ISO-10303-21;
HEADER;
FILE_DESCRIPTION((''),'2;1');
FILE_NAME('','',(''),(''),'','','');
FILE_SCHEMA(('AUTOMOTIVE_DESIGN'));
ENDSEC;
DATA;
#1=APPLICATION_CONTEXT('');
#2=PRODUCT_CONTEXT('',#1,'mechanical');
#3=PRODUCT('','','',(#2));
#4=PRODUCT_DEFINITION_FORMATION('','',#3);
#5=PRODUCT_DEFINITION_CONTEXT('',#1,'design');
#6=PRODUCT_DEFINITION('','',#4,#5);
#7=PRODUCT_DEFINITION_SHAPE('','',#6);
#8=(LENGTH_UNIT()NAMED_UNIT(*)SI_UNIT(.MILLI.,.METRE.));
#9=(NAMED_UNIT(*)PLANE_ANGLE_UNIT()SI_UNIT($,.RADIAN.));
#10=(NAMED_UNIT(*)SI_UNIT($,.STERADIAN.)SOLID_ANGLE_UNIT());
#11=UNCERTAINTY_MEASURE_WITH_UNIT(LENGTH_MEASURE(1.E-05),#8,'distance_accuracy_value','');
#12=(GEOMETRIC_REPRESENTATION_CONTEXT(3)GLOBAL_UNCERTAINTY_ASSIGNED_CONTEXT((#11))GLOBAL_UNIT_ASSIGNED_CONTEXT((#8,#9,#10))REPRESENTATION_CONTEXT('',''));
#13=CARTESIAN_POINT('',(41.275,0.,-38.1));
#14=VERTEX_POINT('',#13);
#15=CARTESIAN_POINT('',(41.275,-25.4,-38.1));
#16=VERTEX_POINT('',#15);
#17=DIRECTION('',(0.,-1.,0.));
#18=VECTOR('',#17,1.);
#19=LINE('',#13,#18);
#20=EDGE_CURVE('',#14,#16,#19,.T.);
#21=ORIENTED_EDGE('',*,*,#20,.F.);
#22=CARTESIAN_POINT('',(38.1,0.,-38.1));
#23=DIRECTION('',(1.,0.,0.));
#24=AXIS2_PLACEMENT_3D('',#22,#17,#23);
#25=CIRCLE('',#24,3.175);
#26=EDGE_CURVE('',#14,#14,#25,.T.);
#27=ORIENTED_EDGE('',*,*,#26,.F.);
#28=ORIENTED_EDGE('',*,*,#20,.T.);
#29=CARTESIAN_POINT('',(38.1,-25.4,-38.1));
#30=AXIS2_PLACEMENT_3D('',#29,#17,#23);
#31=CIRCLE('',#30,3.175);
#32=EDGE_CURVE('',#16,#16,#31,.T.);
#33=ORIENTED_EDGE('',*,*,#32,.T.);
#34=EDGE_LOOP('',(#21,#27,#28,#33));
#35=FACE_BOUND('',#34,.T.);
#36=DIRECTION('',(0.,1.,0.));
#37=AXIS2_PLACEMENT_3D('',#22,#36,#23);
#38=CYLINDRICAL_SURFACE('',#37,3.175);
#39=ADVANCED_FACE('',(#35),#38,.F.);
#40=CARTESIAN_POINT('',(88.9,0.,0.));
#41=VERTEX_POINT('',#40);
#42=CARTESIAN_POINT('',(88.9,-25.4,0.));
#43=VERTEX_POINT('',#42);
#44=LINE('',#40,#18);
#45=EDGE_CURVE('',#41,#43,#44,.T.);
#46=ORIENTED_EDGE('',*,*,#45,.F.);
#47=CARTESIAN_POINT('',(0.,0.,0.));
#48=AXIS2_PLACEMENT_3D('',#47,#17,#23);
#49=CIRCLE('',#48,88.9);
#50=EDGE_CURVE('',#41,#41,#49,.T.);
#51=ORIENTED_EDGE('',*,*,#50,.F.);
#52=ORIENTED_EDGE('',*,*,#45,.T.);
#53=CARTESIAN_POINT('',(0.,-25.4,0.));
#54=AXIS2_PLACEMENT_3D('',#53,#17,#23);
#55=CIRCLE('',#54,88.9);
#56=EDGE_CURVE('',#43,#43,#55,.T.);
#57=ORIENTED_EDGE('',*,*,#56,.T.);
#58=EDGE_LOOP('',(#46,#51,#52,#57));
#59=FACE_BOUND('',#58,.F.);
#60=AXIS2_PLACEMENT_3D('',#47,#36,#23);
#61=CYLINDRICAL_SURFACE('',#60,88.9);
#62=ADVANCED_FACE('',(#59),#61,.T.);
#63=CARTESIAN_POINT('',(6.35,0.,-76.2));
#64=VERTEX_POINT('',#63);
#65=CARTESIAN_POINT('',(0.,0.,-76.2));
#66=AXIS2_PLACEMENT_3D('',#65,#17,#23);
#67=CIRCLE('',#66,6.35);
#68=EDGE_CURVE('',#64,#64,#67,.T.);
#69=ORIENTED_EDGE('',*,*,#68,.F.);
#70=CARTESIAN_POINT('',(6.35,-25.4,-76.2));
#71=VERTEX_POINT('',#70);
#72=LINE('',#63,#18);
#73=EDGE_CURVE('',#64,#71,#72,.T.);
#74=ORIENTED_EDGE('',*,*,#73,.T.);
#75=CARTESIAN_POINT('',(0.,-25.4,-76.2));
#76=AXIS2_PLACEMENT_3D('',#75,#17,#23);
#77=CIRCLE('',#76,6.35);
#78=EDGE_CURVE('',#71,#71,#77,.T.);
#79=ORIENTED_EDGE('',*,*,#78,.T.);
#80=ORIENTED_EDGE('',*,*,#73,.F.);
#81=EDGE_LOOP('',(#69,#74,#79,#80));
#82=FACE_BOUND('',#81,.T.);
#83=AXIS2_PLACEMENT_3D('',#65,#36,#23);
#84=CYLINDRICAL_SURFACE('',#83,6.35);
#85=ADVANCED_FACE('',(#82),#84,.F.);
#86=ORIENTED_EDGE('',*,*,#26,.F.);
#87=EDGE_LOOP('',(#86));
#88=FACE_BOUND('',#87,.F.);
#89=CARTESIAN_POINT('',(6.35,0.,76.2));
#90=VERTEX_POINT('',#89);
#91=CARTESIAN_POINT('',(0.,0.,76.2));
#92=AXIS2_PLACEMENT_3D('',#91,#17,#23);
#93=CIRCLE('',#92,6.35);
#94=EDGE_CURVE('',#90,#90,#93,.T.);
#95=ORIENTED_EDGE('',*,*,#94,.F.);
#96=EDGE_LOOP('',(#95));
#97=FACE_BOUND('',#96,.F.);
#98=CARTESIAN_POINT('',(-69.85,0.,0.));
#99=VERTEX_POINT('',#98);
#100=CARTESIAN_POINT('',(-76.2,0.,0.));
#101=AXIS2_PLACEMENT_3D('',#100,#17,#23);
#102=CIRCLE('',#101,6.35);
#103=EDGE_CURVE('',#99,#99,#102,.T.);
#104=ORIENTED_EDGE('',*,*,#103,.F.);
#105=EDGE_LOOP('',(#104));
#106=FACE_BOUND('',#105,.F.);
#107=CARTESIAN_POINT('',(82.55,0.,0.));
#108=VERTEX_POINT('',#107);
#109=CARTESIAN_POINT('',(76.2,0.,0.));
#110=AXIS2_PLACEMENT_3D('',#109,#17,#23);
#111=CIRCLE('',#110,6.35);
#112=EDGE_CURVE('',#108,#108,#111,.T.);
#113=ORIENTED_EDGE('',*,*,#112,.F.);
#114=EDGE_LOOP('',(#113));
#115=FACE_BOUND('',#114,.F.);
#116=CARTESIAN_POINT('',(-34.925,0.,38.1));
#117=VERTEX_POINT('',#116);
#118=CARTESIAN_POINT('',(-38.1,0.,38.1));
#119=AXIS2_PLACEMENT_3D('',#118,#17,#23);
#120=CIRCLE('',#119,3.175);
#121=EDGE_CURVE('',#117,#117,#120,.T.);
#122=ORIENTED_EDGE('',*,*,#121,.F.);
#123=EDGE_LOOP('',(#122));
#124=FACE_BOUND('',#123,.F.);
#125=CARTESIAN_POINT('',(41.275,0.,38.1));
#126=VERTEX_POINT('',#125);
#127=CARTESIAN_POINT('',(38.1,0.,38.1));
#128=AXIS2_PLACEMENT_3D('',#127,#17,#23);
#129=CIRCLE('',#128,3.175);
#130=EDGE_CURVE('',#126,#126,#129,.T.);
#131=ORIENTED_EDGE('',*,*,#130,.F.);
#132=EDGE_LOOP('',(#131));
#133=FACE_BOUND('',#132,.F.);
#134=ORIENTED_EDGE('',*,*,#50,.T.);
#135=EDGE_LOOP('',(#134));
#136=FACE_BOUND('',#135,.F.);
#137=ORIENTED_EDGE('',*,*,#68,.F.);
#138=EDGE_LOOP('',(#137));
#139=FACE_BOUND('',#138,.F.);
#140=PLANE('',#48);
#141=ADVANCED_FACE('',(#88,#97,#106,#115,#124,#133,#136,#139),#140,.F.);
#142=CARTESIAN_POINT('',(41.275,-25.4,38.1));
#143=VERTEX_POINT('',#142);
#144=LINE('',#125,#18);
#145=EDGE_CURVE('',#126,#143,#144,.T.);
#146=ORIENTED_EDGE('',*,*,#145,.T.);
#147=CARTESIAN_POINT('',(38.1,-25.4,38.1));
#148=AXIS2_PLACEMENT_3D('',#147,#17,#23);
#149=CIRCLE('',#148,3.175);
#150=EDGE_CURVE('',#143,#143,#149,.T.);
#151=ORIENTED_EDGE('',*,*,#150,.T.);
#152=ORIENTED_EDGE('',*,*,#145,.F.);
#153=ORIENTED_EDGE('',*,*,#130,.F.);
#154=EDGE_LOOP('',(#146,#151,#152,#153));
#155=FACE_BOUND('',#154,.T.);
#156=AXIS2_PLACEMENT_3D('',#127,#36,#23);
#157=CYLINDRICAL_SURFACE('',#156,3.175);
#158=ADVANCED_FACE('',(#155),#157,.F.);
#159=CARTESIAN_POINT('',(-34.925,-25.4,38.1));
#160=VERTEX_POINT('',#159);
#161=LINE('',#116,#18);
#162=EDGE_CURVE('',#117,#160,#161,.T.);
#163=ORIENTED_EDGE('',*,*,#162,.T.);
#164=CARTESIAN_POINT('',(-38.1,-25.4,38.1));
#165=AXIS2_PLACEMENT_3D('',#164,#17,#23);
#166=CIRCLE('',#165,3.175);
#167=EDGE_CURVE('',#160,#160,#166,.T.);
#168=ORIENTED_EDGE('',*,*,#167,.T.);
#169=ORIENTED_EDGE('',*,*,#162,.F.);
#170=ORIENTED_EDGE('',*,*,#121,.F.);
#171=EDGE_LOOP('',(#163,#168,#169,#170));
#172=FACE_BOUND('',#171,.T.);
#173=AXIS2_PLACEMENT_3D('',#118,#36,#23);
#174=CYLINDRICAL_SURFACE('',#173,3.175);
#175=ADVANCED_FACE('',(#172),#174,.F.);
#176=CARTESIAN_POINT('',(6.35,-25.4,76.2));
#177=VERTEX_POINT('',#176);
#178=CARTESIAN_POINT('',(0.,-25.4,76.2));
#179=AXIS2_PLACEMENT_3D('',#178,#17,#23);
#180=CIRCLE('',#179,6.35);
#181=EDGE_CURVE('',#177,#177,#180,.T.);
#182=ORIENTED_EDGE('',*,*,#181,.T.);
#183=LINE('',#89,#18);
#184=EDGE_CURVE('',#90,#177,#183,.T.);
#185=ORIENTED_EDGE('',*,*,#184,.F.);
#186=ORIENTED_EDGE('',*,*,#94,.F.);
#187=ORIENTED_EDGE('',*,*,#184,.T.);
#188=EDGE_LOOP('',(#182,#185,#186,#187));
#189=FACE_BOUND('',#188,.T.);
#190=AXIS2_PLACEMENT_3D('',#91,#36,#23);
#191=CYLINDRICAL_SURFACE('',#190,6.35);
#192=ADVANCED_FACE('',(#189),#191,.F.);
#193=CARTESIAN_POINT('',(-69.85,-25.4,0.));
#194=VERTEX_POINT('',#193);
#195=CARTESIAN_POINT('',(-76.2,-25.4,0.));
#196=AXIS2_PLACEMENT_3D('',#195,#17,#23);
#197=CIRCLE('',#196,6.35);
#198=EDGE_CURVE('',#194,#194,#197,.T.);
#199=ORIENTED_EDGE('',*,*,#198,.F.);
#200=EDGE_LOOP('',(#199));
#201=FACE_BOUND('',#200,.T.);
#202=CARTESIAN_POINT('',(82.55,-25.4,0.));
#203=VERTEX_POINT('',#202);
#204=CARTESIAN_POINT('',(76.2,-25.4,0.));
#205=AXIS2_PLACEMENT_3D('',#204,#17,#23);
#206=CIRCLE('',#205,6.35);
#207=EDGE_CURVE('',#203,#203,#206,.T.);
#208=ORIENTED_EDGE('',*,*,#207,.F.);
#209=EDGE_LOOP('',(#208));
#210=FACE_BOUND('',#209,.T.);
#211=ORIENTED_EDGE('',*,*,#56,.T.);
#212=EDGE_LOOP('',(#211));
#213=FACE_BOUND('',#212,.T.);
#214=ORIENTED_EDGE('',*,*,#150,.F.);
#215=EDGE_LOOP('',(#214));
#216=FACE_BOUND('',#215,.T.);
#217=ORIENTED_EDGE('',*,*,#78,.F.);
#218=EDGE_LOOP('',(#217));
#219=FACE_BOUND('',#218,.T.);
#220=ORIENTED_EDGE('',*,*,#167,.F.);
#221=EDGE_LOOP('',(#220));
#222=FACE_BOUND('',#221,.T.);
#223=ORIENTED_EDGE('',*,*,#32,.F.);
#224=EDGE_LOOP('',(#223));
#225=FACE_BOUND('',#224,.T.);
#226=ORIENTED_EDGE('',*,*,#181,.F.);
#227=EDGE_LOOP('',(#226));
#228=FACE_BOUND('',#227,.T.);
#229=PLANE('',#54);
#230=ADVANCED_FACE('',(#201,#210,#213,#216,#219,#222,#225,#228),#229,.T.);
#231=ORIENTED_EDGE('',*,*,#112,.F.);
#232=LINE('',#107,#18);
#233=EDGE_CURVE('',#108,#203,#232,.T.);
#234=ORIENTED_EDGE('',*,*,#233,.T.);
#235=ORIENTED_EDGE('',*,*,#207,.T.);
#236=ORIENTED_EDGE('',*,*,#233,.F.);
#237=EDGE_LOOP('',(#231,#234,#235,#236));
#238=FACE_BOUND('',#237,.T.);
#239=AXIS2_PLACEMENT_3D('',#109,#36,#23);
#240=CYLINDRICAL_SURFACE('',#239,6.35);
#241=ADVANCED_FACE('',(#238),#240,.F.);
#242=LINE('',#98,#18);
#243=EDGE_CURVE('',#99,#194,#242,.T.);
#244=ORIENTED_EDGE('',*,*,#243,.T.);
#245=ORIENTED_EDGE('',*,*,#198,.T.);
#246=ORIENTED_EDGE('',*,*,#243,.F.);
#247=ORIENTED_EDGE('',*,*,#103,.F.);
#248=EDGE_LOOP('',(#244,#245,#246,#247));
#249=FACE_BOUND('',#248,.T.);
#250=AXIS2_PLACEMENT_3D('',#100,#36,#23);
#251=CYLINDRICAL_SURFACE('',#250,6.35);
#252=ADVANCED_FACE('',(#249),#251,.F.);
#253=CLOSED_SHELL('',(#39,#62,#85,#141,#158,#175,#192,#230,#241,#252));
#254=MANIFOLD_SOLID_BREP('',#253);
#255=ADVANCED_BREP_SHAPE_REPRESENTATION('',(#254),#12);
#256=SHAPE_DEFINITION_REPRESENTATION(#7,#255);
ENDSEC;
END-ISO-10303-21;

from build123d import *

# Parameters (mm, degrees)
F0_R     = 88.9
F0_R_2   = 6.35
F0_R_3   = 3.175
F1_DEPTH = 25.4


with BuildPart() as f1:
    # F0 (on Front) → F1 (new body)
    with BuildSketch(Plane.XZ):
        Circle(F0_R)
        with Locations((0, -76.2)):
            Circle(F0_R_2, mode=Mode.SUBTRACT)
        with Locations((38.1, -38.1)):
            Circle(F0_R_3, mode=Mode.SUBTRACT)
        with Locations((-76.2, 0)):
            Circle(F0_R_2, mode=Mode.SUBTRACT)
        with Locations((-38.1, 38.1)):
            Circle(F0_R_3, mode=Mode.SUBTRACT)
        with Locations((38.1, 38.1)):
            Circle(F0_R_3, mode=Mode.SUBTRACT)
        with Locations((76.2, 0)):
            Circle(F0_R_2, mode=Mode.SUBTRACT)
        with Locations((0, 76.2)):
            Circle(F0_R_2, mode=Mode.SUBTRACT)
    extrude(amount=F1_DEPTH)


solid = f1.part
